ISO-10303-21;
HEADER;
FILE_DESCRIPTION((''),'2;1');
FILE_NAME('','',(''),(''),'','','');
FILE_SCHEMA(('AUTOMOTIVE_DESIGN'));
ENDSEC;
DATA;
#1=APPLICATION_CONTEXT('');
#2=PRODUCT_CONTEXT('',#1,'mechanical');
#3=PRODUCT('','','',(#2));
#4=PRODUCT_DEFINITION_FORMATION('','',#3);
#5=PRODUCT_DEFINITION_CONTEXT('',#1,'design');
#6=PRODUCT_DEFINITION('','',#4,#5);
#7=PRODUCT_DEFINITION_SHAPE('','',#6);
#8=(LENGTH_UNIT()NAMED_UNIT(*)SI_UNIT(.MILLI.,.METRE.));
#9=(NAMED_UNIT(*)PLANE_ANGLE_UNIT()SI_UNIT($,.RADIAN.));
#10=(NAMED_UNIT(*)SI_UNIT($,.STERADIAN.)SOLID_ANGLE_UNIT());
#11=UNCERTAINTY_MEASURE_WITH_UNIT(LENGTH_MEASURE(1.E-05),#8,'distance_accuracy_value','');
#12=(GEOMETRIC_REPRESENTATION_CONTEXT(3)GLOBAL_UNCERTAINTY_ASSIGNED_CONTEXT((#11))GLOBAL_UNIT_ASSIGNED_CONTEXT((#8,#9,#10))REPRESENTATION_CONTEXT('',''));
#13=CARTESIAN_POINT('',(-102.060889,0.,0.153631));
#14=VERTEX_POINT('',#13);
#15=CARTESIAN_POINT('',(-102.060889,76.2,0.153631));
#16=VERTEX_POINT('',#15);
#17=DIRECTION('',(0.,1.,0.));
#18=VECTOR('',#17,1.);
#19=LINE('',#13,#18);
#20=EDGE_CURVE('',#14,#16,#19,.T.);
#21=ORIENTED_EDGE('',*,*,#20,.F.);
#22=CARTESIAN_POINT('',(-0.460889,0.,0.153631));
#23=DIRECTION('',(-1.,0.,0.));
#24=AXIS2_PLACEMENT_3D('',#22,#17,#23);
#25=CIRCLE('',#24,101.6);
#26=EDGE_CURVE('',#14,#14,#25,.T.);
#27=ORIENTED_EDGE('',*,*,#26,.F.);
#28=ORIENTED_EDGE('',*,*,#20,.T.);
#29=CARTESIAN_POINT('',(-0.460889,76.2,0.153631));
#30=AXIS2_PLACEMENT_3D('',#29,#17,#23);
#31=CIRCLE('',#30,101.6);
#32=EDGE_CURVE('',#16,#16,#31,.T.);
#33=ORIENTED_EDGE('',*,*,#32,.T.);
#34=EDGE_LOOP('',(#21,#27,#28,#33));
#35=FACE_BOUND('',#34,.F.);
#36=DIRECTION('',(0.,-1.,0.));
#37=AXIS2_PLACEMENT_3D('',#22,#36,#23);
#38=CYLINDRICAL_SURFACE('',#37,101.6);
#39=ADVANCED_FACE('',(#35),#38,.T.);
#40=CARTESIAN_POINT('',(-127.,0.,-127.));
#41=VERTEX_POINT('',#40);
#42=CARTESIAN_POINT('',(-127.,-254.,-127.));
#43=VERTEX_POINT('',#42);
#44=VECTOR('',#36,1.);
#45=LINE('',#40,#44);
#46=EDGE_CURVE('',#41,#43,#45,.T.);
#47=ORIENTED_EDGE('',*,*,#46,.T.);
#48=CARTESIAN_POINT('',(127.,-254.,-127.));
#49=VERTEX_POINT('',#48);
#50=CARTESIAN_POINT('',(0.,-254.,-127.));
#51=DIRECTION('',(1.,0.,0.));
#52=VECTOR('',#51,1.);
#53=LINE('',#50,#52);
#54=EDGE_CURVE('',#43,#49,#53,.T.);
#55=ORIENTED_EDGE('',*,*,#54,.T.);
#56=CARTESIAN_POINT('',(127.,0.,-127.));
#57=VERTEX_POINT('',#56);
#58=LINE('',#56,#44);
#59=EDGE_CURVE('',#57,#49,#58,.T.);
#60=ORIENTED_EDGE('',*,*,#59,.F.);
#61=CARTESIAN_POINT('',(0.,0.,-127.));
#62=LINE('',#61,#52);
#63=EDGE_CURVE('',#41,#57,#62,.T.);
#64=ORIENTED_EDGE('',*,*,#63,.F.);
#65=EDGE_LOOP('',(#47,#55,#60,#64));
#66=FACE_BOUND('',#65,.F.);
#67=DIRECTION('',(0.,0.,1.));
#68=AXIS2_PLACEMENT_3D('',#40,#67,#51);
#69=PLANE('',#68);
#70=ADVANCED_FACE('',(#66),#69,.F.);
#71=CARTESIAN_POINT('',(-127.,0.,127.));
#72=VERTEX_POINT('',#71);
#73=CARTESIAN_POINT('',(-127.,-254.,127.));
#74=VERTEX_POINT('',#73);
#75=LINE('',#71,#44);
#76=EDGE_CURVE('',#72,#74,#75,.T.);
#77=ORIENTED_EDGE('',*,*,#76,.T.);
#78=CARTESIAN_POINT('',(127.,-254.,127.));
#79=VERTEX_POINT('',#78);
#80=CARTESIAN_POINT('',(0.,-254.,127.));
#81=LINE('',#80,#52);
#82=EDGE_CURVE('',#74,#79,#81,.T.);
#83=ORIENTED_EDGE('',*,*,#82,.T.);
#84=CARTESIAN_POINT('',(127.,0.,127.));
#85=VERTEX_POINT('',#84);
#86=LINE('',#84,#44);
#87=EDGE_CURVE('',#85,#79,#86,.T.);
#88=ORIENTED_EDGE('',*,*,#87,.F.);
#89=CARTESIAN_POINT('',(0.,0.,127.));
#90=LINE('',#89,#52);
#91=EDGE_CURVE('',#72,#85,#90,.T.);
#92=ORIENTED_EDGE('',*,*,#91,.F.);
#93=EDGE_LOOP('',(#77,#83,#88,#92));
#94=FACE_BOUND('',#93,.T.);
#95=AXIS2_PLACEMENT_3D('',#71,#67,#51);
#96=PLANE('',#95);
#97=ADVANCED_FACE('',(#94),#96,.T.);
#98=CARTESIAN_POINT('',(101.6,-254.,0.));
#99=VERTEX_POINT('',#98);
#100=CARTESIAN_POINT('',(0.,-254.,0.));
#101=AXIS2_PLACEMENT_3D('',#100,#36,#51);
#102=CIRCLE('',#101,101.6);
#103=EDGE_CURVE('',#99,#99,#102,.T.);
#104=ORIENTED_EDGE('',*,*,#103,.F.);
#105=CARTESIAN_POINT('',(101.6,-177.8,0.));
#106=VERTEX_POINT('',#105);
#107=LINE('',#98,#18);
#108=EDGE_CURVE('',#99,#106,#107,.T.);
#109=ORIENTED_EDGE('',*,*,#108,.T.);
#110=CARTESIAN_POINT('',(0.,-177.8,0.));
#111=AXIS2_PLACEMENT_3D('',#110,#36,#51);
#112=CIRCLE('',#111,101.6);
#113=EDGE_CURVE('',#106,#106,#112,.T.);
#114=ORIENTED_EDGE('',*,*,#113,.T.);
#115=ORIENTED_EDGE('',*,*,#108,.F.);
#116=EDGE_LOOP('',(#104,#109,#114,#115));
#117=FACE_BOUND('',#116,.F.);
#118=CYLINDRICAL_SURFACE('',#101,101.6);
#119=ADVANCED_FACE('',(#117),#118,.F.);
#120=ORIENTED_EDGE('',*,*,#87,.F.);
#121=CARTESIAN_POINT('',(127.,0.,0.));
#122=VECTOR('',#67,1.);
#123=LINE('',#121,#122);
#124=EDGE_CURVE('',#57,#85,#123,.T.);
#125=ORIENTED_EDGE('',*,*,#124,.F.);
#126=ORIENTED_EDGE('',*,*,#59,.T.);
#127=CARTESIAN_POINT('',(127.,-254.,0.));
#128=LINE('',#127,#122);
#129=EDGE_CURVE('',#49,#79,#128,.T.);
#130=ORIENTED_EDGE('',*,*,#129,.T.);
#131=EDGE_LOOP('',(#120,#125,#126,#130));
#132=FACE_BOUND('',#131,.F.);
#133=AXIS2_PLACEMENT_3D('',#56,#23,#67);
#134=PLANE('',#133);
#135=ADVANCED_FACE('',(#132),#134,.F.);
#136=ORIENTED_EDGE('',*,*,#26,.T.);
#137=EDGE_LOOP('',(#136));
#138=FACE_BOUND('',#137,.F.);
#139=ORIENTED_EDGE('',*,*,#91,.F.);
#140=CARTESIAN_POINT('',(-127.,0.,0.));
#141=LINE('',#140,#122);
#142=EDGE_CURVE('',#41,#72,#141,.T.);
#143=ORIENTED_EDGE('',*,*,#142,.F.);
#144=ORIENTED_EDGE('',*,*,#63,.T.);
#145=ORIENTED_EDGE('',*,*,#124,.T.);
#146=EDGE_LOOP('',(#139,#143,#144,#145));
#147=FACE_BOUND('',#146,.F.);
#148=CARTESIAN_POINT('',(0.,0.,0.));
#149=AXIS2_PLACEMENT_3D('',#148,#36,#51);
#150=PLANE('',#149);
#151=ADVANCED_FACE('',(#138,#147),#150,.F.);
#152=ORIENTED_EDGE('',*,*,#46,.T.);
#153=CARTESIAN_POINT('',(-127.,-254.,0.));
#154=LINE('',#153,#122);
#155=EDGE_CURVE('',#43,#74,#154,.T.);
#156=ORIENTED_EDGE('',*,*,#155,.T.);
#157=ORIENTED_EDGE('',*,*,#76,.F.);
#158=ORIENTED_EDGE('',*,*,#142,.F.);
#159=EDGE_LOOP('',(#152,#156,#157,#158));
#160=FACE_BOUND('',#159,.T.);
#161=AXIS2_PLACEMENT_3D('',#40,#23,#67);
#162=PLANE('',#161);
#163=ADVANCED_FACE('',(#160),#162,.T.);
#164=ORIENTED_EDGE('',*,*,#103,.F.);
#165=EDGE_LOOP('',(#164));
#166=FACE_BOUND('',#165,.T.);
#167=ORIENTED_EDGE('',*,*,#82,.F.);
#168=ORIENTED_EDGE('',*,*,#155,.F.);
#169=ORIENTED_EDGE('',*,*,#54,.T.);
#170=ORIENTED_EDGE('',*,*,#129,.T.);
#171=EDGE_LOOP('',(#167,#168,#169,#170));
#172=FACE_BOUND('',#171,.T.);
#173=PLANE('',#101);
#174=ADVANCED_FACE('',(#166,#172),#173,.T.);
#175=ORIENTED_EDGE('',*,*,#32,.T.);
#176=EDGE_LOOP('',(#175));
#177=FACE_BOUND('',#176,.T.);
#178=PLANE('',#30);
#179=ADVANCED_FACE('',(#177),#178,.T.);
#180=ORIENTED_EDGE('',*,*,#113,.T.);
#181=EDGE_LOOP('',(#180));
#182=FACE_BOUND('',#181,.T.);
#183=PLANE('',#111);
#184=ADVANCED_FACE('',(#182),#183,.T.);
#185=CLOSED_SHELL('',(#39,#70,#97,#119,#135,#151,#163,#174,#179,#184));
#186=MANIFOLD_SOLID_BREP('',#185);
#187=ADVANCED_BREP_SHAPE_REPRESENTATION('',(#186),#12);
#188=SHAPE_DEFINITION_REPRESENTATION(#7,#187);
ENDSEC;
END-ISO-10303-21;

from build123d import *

# Parameters (mm, degrees)
F0_W     = 254
F0_H     = 254
F1_DEPTH = 254
F3_R     = 101.6
F4_DEPTH = 76.2
F2_R     = 101.6
F5_DEPTH = 76.2


with BuildPart() as f1:
    # F0 (on Front) → F1 (new body)
    with BuildSketch(Plane.XZ):
        Rectangle(F0_W, F0_H)
    extrude(amount=F1_DEPTH)

    # F3 (on face) → F4 (cut)
    with BuildSketch(Plane.XZ.offset(254)):
        Circle(F3_R)
    extrude(amount=-F4_DEPTH, mode=Mode.SUBTRACT)

    # F2 (on face) → F5 (join)
    with BuildSketch(Plane(origin=(0, 0, 0), x_dir=(-1, 0, 0), z_dir=(0, 1, 0))):
        with Locations((0.460889, 0.153631)):
            Circle(F2_R)
    extrude(amount=F5_DEPTH)


solid = f1.part
